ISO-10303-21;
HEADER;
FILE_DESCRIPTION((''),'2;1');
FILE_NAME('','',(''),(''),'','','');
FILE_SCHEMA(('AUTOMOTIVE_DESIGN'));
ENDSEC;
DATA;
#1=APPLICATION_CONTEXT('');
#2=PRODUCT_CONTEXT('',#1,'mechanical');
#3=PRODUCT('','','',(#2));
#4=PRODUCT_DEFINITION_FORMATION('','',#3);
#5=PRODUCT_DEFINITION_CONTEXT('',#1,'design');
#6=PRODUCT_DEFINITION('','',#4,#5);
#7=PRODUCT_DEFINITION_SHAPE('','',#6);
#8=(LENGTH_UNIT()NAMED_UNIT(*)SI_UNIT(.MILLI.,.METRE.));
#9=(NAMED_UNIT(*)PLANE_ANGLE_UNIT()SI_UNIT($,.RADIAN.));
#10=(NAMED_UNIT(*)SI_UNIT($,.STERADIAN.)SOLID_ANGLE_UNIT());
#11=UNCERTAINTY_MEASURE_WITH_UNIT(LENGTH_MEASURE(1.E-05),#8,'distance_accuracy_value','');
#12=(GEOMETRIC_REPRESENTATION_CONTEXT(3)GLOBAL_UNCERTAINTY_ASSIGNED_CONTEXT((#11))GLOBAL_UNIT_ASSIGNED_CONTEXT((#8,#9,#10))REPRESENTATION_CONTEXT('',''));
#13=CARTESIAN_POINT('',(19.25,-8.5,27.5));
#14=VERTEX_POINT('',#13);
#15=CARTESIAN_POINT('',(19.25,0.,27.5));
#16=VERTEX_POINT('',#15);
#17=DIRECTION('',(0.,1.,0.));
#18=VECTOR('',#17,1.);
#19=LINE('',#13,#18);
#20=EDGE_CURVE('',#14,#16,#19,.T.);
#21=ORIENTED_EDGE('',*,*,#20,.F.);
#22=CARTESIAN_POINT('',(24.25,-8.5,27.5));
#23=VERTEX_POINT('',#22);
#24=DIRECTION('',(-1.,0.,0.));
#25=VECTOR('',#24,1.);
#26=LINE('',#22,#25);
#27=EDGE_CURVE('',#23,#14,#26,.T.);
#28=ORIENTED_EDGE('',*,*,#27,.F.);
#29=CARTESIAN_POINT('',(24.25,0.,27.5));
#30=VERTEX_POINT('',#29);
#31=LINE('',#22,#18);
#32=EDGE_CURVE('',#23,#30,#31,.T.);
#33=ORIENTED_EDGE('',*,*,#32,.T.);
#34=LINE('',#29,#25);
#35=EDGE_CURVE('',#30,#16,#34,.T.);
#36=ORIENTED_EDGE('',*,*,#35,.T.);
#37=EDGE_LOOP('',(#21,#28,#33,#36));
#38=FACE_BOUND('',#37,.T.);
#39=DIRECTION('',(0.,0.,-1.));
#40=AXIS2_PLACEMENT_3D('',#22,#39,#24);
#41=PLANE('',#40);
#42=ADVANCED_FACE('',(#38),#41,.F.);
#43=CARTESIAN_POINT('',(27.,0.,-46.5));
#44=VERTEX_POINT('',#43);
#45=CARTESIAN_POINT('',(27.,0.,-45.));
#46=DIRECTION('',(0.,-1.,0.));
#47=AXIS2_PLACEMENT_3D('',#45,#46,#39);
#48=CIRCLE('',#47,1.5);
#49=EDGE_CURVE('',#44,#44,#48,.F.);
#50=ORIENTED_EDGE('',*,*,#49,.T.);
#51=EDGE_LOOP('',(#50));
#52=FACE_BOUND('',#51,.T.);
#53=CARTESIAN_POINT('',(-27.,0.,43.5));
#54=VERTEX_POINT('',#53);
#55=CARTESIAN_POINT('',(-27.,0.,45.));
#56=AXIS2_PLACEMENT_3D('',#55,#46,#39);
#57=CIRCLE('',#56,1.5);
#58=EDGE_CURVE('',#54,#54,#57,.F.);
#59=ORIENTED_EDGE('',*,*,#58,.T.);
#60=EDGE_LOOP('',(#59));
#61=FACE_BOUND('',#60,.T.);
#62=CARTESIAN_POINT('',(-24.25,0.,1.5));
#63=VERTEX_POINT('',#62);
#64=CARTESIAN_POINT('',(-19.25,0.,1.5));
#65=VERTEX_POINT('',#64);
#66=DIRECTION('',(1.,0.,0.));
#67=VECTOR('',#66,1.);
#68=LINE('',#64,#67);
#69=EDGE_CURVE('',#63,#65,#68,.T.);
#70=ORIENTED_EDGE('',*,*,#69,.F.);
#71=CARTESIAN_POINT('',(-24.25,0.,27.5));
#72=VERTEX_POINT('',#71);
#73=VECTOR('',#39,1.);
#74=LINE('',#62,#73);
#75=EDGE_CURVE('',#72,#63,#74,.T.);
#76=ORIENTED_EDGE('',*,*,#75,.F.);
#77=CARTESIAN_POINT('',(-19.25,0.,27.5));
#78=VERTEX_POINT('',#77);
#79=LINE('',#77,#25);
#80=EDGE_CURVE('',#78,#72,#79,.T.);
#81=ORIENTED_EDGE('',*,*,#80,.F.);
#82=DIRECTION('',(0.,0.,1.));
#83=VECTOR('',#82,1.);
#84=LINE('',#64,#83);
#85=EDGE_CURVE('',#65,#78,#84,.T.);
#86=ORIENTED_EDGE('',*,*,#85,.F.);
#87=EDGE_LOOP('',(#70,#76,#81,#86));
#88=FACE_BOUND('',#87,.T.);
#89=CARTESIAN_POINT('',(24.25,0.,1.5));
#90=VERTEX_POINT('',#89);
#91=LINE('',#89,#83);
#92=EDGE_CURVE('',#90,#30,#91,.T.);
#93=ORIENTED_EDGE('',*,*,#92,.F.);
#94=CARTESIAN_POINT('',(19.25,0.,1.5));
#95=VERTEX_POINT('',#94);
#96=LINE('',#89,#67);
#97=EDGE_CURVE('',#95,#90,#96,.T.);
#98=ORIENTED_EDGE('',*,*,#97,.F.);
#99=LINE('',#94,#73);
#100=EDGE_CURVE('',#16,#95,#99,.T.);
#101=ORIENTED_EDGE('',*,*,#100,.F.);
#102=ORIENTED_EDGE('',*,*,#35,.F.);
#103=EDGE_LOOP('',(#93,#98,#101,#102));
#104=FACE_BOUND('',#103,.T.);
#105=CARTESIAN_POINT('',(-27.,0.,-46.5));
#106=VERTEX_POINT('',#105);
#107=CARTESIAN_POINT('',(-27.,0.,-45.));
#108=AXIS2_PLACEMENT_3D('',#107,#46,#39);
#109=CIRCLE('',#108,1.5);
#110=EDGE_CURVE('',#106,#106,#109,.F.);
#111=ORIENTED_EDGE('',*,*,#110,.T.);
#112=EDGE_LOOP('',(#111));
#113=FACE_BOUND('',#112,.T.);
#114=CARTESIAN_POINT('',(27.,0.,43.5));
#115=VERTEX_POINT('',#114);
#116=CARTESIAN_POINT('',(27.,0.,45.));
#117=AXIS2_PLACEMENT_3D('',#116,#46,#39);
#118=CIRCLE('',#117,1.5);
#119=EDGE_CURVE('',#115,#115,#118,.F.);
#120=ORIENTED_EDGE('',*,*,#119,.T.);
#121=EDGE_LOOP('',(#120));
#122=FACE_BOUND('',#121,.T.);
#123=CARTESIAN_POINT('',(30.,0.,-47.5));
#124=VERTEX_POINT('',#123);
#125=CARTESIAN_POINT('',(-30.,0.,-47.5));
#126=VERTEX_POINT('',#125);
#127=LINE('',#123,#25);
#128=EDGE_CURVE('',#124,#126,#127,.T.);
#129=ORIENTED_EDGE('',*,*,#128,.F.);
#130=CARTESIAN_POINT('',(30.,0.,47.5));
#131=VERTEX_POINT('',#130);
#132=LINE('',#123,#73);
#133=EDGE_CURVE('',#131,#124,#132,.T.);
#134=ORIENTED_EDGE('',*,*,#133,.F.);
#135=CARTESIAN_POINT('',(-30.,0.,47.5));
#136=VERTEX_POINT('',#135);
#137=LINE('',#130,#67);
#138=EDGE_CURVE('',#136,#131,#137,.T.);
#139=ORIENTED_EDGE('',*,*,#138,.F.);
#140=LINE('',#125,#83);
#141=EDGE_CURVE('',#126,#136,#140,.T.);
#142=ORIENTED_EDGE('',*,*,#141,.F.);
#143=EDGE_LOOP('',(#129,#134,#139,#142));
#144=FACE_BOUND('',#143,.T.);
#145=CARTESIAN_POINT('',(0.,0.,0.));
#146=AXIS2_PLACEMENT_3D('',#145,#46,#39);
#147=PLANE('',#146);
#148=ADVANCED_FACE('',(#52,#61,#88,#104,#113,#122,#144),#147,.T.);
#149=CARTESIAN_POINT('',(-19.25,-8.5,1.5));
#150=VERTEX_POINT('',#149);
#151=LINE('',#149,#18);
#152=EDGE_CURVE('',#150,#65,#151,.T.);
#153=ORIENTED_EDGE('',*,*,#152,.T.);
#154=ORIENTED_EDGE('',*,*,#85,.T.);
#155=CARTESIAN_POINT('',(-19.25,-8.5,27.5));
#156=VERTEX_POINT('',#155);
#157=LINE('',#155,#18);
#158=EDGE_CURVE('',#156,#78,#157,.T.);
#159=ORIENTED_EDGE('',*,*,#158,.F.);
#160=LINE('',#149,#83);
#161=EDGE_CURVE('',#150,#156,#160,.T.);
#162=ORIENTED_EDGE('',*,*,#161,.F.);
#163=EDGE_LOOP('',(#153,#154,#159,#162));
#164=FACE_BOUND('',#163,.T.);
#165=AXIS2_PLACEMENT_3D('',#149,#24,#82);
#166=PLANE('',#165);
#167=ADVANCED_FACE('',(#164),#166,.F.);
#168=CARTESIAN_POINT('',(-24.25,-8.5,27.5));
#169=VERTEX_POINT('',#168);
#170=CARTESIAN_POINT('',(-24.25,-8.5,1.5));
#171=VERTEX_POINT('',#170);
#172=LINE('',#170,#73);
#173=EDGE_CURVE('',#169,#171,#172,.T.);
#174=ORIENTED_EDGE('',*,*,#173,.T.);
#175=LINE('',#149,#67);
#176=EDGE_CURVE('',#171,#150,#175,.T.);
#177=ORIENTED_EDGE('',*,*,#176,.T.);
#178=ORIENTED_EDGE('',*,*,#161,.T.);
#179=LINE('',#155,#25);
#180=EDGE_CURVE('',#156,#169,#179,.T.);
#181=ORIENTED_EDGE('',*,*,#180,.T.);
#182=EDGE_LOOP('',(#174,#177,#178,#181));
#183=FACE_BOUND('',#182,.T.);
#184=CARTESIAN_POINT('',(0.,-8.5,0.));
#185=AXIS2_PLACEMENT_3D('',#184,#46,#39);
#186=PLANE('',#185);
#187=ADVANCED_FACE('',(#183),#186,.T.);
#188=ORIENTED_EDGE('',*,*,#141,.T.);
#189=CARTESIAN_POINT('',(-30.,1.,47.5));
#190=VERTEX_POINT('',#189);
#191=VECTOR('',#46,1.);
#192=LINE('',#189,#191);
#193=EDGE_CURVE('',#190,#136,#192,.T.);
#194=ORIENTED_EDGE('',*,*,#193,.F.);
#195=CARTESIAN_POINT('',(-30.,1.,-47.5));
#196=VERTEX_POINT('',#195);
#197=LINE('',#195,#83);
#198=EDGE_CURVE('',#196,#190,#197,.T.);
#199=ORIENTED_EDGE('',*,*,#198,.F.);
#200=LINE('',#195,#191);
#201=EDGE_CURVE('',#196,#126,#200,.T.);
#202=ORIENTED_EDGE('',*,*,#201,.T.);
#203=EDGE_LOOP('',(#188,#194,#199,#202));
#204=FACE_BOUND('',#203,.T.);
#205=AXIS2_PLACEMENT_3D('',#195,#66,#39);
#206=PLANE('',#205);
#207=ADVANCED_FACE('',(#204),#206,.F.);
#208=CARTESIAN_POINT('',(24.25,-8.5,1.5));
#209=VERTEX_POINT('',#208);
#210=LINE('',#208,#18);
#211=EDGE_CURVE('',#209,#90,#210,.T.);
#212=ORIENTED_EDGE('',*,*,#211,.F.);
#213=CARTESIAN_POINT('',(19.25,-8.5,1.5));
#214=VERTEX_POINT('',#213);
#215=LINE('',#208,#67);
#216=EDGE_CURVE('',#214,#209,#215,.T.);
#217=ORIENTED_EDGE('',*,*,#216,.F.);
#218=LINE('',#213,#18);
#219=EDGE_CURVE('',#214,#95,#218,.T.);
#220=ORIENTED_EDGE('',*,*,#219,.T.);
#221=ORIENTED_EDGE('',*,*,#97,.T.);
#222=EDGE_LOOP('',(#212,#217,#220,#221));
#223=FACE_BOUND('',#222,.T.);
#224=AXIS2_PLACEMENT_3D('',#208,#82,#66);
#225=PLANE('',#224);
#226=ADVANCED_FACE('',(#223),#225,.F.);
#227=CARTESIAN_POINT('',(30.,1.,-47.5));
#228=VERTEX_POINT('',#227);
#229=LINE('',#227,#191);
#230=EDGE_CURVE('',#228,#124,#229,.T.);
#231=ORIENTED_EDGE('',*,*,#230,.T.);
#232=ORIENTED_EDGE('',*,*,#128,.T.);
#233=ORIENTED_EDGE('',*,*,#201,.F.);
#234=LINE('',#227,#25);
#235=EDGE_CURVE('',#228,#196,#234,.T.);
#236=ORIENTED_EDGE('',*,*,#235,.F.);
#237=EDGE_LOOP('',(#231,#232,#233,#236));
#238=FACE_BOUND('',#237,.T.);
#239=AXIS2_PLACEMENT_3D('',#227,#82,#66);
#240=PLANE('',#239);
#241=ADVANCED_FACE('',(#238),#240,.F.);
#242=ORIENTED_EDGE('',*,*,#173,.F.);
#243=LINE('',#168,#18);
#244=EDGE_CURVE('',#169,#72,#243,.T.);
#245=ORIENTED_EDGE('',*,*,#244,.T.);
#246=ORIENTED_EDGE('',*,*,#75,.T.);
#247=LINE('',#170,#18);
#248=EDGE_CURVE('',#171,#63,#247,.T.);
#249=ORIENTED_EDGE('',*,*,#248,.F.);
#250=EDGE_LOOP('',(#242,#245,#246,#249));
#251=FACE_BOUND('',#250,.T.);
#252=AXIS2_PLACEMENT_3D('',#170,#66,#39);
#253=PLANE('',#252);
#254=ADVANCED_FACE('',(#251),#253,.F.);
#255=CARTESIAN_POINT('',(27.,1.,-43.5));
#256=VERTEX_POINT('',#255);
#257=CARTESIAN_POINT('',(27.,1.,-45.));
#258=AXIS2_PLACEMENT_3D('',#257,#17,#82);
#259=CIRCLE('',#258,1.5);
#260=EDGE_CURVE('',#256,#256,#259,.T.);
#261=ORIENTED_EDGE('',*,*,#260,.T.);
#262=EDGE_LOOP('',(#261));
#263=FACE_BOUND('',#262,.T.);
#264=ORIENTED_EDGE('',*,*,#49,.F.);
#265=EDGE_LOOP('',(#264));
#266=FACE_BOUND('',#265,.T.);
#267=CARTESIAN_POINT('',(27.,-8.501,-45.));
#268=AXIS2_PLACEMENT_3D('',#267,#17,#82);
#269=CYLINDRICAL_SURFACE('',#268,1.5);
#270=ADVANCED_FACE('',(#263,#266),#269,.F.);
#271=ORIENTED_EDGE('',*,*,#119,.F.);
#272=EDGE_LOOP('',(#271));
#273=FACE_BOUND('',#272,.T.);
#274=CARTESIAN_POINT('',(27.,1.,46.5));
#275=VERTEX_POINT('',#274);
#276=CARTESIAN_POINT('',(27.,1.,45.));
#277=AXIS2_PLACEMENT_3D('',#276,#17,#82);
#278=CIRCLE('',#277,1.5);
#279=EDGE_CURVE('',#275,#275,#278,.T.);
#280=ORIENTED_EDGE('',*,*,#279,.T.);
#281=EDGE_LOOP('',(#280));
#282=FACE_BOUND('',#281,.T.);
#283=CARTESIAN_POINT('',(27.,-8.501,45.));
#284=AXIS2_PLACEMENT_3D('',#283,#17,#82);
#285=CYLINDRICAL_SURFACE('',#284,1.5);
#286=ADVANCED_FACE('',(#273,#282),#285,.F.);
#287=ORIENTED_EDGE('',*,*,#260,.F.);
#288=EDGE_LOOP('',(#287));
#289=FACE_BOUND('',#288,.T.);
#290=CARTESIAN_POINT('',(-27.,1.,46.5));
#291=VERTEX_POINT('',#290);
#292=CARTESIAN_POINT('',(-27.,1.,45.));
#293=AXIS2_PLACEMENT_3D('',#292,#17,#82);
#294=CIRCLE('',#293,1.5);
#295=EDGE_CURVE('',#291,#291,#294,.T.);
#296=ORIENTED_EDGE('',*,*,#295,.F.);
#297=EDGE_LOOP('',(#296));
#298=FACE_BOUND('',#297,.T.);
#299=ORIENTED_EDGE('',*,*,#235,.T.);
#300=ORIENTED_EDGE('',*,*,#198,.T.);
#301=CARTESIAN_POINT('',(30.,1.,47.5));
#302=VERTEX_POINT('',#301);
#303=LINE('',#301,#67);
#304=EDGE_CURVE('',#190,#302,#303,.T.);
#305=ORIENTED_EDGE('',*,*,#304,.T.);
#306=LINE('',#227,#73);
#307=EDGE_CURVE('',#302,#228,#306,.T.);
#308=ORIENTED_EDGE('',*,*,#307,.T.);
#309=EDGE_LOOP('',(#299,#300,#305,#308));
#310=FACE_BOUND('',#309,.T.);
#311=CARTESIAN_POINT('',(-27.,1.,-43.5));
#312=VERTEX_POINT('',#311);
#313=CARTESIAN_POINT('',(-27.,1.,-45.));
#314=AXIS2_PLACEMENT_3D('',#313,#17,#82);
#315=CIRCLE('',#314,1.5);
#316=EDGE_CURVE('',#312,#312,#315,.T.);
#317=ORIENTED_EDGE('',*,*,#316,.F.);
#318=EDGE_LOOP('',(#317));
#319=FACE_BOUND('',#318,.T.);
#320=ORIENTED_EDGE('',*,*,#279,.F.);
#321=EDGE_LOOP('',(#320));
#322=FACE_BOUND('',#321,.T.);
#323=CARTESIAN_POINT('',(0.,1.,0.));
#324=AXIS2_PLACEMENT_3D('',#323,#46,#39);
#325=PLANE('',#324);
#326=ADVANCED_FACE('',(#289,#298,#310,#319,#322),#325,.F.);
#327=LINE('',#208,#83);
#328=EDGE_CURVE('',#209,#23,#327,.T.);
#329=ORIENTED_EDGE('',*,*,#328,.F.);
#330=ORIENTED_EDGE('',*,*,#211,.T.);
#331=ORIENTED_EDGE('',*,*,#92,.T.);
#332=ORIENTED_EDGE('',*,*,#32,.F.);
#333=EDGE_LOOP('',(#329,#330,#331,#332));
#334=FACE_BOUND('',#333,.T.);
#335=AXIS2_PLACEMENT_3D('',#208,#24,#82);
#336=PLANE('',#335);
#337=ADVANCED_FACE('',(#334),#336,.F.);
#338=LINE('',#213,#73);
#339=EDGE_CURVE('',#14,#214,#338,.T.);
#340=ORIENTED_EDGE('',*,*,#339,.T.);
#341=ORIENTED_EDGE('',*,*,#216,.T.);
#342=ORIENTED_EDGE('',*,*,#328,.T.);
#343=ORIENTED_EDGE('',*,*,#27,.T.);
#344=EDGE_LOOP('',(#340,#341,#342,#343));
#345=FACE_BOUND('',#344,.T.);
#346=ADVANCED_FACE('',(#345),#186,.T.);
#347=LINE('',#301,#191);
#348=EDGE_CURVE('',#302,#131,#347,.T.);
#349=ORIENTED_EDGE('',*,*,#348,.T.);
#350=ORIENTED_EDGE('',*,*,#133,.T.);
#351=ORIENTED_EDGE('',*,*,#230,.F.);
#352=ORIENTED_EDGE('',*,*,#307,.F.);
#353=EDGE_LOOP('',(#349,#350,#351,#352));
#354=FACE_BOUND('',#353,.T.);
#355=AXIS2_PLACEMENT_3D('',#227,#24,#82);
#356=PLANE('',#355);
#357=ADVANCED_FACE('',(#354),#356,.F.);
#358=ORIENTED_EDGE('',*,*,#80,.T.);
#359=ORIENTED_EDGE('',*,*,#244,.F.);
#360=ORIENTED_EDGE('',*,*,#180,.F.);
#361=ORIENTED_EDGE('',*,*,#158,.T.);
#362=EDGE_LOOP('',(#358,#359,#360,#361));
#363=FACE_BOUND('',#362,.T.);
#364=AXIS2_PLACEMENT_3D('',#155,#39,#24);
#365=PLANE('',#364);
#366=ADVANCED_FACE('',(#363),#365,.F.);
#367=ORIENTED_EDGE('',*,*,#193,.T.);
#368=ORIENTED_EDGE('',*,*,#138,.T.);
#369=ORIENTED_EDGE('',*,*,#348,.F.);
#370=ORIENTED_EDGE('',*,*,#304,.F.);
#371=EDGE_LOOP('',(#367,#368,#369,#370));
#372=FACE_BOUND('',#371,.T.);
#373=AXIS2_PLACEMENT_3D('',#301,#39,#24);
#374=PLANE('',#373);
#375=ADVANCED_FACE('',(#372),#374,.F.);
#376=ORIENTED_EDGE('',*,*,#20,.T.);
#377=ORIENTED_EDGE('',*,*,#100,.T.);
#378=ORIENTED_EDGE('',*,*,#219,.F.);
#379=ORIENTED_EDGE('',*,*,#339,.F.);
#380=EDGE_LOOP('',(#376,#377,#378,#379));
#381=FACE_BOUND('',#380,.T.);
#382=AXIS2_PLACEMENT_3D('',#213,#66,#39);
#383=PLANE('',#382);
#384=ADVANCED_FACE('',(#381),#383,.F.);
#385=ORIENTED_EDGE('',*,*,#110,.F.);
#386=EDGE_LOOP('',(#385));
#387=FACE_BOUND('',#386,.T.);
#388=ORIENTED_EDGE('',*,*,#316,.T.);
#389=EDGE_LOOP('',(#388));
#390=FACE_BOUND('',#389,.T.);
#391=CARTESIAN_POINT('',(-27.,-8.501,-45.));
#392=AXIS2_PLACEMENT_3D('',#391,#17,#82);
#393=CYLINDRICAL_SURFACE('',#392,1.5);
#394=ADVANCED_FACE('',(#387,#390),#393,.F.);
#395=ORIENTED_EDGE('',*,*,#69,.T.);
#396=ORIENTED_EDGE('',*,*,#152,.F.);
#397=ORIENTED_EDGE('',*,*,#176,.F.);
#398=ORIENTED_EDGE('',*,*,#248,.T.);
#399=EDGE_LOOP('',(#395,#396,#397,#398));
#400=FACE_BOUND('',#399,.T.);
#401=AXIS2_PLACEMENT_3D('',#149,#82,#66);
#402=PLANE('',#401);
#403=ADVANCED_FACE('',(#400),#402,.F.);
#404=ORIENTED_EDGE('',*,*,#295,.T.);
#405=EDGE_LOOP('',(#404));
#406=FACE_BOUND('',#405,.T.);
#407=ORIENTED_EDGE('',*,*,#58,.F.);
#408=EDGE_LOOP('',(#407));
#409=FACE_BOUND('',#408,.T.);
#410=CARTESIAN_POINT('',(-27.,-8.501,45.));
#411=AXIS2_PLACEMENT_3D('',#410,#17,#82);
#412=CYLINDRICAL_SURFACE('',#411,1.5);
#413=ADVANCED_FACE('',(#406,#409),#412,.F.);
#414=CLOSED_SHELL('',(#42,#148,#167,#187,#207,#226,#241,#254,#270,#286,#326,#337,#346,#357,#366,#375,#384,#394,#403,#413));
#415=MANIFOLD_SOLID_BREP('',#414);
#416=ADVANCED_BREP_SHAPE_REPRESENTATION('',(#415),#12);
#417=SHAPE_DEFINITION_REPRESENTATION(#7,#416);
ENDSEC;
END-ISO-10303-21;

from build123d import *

# Parameters (mm, degrees)
SKETCH1_W           = 60
SKETCH1_H           = 95
BOSS_EXTRUDE1_DEPTH = 1
SKETCH2_W           = 5
SKETCH2_H           = 26
BOSS_EXTRUDE2_DEPTH = 8.5
CUT_EXTRUDE1_REACH  = 58.978
SKETCH3_R           = 1.5


with BuildPart() as part:
    # Sketch1 → Boss-Extrude1 (new body)
    with BuildSketch(Plane(origin=(0, 0, 0), x_dir=(1, 0, 0), z_dir=(0, 1, 0))):
        Rectangle(SKETCH1_W, SKETCH1_H)
    extrude(amount=BOSS_EXTRUDE1_DEPTH)

    # Sketch2 → Boss-Extrude2 (add)
    with BuildSketch(Plane.XZ):
        with Locations((21.75, 14.5)):
            Rectangle(SKETCH2_W, SKETCH2_H)
        with Locations((-21.75, 14.5)):
            Rectangle(SKETCH2_W, SKETCH2_H)
    extrude(amount=BOSS_EXTRUDE2_DEPTH)

    # Sketch3 → Cut-Extrude1 (cut, up to next)
    with BuildSketch(Plane(origin=(0, 1, 0), x_dir=(1, 0, 0), z_dir=(0, 1, 0)), mode=Mode.PRIVATE) as cut_extrude1_sk1:
        with Locations(Location((-27, -45, 0), (0, 0, 270))):
            Circle(SKETCH3_R)
    cut_extrude1_tool1 = extrude(cut_extrude1_sk1.sketch, amount=-CUT_EXTRUDE1_REACH, mode=Mode.PRIVATE) & part.part
    # Sketch3 → Cut-Extrude1 (cut, up to next)
    with BuildSketch(Plane(origin=(0, 1, 0), x_dir=(1, 0, 0), z_dir=(0, 1, 0)), mode=Mode.PRIVATE) as cut_extrude1_sk2:
        with Locations(Location((27, -45, 0), (0, 0, 270))):
            Circle(SKETCH3_R)
    cut_extrude1_tool2 = extrude(cut_extrude1_sk2.sketch, amount=-CUT_EXTRUDE1_REACH, mode=Mode.PRIVATE) & part.part
    # Sketch3 → Cut-Extrude1 (cut, up to next)
    with BuildSketch(Plane(origin=(0, 1, 0), x_dir=(1, 0, 0), z_dir=(0, 1, 0)), mode=Mode.PRIVATE) as cut_extrude1_sk3:
        with Locations(Location((27, 45, 0), (0, 0, 270))):
            Circle(SKETCH3_R)
    cut_extrude1_tool3 = extrude(cut_extrude1_sk3.sketch, amount=-CUT_EXTRUDE1_REACH, mode=Mode.PRIVATE) & part.part
    # Sketch3 → Cut-Extrude1 (cut, up to next)
    with BuildSketch(Plane(origin=(0, 1, 0), x_dir=(1, 0, 0), z_dir=(0, 1, 0)), mode=Mode.PRIVATE) as cut_extrude1_sk4:
        with Locations(Location((-27, 45, 0), (0, 0, 270))):
            Circle(SKETCH3_R)
    cut_extrude1_tool4 = extrude(cut_extrude1_sk4.sketch, amount=-CUT_EXTRUDE1_REACH, mode=Mode.PRIVATE) & part.part
    add(cut_extrude1_tool1.solids().sort_by_distance((-27, 1, 45))[0], mode=Mode.SUBTRACT)
    add(cut_extrude1_tool2.solids().sort_by_distance((27, 1, 45))[0], mode=Mode.SUBTRACT)
    add(cut_extrude1_tool3.solids().sort_by_distance((27, 1, -45))[0], mode=Mode.SUBTRACT)
    add(cut_extrude1_tool4.solids().sort_by_distance((-27, 1, -45))[0], mode=Mode.SUBTRACT)


solid = part.part
